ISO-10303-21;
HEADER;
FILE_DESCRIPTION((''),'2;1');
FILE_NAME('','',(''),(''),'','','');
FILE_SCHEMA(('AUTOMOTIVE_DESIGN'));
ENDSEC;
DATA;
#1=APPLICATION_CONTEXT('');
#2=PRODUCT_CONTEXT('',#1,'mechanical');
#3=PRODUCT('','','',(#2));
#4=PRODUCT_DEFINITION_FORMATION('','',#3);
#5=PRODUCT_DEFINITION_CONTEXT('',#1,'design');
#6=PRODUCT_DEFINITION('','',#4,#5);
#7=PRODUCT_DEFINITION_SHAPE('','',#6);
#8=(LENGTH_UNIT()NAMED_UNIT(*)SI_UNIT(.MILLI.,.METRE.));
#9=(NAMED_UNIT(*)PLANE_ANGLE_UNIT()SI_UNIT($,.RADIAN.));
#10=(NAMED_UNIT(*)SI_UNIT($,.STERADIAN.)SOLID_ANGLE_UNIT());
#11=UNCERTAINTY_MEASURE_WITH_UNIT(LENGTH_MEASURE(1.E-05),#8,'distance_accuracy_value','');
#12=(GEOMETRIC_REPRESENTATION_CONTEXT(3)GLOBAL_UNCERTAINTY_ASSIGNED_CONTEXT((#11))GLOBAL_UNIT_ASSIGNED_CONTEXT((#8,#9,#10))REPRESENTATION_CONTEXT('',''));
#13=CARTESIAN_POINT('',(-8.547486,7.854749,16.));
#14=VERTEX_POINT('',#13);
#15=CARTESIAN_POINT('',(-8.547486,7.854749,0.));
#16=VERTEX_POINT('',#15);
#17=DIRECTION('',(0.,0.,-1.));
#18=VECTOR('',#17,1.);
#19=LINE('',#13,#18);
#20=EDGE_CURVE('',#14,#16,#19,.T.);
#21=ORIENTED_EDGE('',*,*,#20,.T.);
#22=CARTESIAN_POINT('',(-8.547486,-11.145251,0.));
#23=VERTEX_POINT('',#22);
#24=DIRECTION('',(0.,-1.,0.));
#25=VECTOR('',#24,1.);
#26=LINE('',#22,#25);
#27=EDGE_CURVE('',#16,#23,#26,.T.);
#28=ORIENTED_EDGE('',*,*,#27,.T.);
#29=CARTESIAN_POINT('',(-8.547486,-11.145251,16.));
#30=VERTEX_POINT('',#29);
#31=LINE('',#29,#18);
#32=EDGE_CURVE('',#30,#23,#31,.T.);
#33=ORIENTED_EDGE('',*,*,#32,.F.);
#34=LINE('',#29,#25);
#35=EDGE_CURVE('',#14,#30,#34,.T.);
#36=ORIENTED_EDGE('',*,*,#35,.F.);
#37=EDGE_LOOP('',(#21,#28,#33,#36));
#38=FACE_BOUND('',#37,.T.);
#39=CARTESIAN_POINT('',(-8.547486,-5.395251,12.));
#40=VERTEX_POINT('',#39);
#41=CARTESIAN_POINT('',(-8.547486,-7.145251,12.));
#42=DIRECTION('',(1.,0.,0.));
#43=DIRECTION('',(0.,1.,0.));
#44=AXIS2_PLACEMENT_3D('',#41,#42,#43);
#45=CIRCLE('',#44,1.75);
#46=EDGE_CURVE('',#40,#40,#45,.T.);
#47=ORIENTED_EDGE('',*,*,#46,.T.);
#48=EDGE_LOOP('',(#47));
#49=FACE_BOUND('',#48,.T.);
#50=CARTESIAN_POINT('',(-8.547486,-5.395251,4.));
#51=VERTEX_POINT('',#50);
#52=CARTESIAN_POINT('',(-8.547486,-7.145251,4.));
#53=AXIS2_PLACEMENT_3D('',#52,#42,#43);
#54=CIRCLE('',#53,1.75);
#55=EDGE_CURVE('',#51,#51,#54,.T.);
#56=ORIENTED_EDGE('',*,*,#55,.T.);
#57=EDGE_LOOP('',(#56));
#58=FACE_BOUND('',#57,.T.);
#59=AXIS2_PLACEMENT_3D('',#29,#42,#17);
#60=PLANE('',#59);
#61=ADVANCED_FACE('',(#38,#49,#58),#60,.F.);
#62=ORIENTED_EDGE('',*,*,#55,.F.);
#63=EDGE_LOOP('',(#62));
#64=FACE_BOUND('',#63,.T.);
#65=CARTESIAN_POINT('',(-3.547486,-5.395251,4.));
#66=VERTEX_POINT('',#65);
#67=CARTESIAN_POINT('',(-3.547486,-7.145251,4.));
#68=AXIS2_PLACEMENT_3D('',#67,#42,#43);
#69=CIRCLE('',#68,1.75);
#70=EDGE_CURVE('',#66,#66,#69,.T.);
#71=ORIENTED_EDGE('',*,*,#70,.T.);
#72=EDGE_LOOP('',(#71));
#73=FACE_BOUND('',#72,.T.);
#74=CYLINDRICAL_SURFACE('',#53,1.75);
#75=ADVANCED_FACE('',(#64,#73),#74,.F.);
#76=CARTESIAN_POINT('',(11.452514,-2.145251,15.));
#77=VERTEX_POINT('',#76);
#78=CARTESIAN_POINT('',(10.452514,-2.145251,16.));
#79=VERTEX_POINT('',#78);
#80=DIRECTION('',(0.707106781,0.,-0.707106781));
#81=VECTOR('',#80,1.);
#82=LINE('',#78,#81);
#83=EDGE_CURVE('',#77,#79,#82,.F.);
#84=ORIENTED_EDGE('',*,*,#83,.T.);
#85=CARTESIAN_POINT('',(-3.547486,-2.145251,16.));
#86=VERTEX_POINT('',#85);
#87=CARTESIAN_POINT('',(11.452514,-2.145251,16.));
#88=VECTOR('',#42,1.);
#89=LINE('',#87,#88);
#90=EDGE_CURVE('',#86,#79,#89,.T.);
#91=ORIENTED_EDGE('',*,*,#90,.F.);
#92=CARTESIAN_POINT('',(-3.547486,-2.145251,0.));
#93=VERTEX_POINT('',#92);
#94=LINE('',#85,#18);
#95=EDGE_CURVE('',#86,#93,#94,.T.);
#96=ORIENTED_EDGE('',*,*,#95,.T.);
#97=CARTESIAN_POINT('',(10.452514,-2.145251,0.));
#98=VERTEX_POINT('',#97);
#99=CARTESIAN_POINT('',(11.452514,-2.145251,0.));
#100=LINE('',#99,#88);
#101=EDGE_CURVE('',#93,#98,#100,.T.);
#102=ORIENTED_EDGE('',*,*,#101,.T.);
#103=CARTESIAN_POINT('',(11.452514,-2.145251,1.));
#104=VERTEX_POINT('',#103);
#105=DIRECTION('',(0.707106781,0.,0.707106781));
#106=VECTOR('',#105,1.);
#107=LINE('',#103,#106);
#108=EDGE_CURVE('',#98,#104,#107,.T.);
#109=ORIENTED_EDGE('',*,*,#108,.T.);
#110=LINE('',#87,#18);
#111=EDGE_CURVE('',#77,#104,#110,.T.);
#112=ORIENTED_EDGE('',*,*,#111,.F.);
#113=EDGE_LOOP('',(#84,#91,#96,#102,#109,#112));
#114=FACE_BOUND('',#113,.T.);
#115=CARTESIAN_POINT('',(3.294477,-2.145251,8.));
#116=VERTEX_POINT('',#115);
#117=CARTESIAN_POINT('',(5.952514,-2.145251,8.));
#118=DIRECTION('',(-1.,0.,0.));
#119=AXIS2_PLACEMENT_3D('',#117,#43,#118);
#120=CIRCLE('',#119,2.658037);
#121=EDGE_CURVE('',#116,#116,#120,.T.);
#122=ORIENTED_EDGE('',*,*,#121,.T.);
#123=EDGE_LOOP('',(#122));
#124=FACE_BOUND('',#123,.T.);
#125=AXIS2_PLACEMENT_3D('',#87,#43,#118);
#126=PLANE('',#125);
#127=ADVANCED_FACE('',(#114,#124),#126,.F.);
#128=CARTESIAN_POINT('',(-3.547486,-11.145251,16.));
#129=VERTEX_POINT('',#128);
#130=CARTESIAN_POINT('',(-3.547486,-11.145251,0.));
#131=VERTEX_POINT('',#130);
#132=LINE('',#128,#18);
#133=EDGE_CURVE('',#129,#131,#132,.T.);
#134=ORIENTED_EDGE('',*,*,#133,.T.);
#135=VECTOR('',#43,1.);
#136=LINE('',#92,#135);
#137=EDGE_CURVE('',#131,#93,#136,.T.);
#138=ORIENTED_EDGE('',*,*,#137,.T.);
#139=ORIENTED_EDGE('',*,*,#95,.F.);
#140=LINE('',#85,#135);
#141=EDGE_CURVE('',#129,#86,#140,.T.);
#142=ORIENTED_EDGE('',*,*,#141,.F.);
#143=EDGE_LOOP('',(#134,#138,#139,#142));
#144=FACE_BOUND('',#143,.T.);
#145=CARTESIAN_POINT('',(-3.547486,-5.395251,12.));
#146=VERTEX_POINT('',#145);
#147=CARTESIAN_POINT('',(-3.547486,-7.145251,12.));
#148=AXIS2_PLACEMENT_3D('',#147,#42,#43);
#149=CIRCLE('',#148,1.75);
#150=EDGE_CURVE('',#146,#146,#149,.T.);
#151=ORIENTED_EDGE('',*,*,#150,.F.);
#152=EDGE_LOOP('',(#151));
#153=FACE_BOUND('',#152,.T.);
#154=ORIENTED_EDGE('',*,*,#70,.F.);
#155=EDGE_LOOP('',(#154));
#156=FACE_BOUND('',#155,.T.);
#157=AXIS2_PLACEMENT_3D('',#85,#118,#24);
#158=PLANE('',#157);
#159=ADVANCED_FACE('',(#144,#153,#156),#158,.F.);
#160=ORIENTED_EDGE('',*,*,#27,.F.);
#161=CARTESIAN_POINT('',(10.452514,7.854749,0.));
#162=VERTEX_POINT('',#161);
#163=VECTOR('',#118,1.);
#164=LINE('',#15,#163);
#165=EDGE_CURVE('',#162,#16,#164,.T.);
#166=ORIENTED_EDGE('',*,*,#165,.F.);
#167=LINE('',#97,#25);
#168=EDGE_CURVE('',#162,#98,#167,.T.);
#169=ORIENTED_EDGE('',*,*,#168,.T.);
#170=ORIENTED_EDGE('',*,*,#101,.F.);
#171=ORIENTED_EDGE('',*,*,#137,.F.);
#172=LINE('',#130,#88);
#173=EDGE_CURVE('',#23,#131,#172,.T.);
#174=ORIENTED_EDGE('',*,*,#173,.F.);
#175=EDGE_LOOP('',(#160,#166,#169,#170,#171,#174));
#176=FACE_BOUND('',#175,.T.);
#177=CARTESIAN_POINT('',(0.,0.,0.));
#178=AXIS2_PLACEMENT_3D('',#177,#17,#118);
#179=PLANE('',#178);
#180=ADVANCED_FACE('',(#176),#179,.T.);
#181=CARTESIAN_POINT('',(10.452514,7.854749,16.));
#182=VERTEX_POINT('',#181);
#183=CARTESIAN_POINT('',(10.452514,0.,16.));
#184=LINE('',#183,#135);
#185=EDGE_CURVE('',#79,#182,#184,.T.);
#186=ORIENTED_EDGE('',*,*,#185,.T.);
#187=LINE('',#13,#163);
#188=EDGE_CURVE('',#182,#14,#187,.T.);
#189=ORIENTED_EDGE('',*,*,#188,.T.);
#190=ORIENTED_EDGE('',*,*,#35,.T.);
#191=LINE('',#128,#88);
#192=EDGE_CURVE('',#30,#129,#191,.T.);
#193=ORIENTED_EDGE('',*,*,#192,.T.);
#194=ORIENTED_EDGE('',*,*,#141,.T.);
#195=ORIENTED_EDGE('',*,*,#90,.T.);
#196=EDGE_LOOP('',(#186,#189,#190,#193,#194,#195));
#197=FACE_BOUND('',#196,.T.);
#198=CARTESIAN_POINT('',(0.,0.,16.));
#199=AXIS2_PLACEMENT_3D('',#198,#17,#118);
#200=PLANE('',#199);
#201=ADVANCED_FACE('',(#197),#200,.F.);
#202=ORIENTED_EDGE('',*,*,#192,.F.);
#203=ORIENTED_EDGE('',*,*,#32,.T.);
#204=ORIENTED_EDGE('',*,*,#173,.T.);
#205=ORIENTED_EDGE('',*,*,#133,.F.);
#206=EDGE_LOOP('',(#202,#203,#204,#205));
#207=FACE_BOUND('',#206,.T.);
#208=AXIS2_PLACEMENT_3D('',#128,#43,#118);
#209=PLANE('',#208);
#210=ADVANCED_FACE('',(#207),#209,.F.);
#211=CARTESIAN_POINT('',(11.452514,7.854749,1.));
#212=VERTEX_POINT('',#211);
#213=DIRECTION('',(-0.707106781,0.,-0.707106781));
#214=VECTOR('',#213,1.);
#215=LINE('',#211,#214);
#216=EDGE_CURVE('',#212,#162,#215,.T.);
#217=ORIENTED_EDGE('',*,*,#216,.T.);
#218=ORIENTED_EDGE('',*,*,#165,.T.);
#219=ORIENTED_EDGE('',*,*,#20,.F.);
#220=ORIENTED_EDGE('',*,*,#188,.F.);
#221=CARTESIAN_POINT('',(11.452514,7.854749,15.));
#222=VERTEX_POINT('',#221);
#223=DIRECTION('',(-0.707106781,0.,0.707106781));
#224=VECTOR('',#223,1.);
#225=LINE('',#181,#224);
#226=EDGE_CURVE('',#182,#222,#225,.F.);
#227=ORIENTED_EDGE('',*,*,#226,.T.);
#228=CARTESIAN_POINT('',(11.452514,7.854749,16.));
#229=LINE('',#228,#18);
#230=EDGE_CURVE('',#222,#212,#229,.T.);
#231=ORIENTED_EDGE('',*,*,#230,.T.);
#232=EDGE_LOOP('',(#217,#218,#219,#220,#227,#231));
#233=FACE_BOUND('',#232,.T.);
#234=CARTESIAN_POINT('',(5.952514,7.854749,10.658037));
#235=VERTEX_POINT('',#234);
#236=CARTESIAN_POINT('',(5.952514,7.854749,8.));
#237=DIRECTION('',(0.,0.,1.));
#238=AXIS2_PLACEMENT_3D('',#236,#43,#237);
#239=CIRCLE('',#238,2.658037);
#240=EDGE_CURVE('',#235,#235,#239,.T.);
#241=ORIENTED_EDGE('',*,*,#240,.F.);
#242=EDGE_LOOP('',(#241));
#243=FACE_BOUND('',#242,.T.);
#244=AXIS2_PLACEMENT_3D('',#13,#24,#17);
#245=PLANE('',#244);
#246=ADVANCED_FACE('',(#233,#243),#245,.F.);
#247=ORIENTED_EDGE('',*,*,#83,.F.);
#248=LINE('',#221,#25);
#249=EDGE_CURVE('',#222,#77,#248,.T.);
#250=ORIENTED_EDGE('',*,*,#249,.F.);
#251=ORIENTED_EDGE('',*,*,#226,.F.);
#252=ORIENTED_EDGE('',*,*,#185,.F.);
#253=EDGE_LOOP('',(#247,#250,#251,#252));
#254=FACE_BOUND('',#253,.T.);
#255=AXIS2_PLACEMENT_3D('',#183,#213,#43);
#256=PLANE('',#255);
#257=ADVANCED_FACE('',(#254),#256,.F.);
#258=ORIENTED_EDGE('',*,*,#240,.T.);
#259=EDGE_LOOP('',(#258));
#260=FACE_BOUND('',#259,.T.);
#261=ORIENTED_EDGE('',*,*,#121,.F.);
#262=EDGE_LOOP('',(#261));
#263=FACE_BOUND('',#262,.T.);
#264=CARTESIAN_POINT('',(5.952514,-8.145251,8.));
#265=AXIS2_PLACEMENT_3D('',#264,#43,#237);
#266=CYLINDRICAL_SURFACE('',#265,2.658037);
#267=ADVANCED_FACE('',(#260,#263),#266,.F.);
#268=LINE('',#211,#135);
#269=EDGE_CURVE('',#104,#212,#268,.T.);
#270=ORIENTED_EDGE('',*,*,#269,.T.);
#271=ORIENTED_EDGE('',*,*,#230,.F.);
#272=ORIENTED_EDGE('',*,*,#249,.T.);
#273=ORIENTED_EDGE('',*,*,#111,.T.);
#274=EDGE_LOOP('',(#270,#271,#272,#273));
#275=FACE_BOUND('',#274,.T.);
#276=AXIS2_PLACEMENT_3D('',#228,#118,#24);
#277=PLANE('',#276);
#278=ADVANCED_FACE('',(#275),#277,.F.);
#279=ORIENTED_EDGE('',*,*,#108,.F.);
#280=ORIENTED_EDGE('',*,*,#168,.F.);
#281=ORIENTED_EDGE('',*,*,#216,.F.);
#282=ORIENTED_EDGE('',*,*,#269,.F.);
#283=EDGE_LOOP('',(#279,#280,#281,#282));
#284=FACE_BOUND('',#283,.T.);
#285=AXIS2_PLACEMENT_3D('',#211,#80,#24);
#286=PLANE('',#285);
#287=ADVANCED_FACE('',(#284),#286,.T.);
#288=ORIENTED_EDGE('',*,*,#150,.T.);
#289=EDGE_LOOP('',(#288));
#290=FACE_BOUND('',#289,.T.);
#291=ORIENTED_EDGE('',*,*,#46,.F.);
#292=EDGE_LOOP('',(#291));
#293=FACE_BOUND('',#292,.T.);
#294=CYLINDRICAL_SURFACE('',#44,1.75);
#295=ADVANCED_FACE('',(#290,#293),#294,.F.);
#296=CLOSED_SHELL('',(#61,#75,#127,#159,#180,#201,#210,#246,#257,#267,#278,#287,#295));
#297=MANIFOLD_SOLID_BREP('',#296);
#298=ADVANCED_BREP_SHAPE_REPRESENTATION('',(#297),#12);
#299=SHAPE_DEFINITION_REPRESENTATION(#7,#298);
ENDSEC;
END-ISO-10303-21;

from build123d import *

# Parameters (mm, degrees)
BOSS_EXTRUDE1_DEPTH = 16
SKETCH2_R           = 2.658036829
CUT_EXTRUDE1_DEPTH  = 16
SKETCH3_R           = 1.75
CUT_EXTRUDE2_DEPTH  = 5
CHAMFER1_SIZE       = 1


with BuildPart() as part:
    # Sketch1 → Boss-Extrude1 (new body)
    with BuildSketch(Plane.XY):
        Polygon((-8.547486034, 7.854748603), (11.452513966, 7.854748603), (11.452513966, -2.145251397), (-3.547486034, -2.145251397), (-3.547486034, -11.145251397), (-8.547486034, -11.145251397), align=None)
    extrude(amount=BOSS_EXTRUDE1_DEPTH)

    # Sketch2 → Cut-Extrude1 (cut)
    with BuildSketch(Plane(origin=(0, 7.854748603, 0), x_dir=(1, 0, 0), z_dir=(0, 1, 0))):
        with Locations((5.952513966, -8)):
            Circle(SKETCH2_R)
    extrude(amount=-CUT_EXTRUDE1_DEPTH, mode=Mode.SUBTRACT)

    # Sketch3 → Cut-Extrude2 (cut)
    with BuildSketch(Plane(origin=(-3.547486034, 0, 0), x_dir=(0, 0, -1), z_dir=(1, 0, 0))):
        with Locations((-12, -7.145251397)):
            Circle(SKETCH3_R)
        with Locations((-4, -7.145251397)):
            Circle(SKETCH3_R)
    extrude(amount=-CUT_EXTRUDE2_DEPTH, mode=Mode.SUBTRACT)

    # Chamfer1
    chamfer1_edges = [part.edges().sort_by_distance(p)[0] for p in [
        (11.452513966, 2.854748603, 16),
        (11.452513966, 2.854748603, 0),
    ]]
    chamfer(chamfer1_edges, length=CHAMFER1_SIZE)


solid = part.part
